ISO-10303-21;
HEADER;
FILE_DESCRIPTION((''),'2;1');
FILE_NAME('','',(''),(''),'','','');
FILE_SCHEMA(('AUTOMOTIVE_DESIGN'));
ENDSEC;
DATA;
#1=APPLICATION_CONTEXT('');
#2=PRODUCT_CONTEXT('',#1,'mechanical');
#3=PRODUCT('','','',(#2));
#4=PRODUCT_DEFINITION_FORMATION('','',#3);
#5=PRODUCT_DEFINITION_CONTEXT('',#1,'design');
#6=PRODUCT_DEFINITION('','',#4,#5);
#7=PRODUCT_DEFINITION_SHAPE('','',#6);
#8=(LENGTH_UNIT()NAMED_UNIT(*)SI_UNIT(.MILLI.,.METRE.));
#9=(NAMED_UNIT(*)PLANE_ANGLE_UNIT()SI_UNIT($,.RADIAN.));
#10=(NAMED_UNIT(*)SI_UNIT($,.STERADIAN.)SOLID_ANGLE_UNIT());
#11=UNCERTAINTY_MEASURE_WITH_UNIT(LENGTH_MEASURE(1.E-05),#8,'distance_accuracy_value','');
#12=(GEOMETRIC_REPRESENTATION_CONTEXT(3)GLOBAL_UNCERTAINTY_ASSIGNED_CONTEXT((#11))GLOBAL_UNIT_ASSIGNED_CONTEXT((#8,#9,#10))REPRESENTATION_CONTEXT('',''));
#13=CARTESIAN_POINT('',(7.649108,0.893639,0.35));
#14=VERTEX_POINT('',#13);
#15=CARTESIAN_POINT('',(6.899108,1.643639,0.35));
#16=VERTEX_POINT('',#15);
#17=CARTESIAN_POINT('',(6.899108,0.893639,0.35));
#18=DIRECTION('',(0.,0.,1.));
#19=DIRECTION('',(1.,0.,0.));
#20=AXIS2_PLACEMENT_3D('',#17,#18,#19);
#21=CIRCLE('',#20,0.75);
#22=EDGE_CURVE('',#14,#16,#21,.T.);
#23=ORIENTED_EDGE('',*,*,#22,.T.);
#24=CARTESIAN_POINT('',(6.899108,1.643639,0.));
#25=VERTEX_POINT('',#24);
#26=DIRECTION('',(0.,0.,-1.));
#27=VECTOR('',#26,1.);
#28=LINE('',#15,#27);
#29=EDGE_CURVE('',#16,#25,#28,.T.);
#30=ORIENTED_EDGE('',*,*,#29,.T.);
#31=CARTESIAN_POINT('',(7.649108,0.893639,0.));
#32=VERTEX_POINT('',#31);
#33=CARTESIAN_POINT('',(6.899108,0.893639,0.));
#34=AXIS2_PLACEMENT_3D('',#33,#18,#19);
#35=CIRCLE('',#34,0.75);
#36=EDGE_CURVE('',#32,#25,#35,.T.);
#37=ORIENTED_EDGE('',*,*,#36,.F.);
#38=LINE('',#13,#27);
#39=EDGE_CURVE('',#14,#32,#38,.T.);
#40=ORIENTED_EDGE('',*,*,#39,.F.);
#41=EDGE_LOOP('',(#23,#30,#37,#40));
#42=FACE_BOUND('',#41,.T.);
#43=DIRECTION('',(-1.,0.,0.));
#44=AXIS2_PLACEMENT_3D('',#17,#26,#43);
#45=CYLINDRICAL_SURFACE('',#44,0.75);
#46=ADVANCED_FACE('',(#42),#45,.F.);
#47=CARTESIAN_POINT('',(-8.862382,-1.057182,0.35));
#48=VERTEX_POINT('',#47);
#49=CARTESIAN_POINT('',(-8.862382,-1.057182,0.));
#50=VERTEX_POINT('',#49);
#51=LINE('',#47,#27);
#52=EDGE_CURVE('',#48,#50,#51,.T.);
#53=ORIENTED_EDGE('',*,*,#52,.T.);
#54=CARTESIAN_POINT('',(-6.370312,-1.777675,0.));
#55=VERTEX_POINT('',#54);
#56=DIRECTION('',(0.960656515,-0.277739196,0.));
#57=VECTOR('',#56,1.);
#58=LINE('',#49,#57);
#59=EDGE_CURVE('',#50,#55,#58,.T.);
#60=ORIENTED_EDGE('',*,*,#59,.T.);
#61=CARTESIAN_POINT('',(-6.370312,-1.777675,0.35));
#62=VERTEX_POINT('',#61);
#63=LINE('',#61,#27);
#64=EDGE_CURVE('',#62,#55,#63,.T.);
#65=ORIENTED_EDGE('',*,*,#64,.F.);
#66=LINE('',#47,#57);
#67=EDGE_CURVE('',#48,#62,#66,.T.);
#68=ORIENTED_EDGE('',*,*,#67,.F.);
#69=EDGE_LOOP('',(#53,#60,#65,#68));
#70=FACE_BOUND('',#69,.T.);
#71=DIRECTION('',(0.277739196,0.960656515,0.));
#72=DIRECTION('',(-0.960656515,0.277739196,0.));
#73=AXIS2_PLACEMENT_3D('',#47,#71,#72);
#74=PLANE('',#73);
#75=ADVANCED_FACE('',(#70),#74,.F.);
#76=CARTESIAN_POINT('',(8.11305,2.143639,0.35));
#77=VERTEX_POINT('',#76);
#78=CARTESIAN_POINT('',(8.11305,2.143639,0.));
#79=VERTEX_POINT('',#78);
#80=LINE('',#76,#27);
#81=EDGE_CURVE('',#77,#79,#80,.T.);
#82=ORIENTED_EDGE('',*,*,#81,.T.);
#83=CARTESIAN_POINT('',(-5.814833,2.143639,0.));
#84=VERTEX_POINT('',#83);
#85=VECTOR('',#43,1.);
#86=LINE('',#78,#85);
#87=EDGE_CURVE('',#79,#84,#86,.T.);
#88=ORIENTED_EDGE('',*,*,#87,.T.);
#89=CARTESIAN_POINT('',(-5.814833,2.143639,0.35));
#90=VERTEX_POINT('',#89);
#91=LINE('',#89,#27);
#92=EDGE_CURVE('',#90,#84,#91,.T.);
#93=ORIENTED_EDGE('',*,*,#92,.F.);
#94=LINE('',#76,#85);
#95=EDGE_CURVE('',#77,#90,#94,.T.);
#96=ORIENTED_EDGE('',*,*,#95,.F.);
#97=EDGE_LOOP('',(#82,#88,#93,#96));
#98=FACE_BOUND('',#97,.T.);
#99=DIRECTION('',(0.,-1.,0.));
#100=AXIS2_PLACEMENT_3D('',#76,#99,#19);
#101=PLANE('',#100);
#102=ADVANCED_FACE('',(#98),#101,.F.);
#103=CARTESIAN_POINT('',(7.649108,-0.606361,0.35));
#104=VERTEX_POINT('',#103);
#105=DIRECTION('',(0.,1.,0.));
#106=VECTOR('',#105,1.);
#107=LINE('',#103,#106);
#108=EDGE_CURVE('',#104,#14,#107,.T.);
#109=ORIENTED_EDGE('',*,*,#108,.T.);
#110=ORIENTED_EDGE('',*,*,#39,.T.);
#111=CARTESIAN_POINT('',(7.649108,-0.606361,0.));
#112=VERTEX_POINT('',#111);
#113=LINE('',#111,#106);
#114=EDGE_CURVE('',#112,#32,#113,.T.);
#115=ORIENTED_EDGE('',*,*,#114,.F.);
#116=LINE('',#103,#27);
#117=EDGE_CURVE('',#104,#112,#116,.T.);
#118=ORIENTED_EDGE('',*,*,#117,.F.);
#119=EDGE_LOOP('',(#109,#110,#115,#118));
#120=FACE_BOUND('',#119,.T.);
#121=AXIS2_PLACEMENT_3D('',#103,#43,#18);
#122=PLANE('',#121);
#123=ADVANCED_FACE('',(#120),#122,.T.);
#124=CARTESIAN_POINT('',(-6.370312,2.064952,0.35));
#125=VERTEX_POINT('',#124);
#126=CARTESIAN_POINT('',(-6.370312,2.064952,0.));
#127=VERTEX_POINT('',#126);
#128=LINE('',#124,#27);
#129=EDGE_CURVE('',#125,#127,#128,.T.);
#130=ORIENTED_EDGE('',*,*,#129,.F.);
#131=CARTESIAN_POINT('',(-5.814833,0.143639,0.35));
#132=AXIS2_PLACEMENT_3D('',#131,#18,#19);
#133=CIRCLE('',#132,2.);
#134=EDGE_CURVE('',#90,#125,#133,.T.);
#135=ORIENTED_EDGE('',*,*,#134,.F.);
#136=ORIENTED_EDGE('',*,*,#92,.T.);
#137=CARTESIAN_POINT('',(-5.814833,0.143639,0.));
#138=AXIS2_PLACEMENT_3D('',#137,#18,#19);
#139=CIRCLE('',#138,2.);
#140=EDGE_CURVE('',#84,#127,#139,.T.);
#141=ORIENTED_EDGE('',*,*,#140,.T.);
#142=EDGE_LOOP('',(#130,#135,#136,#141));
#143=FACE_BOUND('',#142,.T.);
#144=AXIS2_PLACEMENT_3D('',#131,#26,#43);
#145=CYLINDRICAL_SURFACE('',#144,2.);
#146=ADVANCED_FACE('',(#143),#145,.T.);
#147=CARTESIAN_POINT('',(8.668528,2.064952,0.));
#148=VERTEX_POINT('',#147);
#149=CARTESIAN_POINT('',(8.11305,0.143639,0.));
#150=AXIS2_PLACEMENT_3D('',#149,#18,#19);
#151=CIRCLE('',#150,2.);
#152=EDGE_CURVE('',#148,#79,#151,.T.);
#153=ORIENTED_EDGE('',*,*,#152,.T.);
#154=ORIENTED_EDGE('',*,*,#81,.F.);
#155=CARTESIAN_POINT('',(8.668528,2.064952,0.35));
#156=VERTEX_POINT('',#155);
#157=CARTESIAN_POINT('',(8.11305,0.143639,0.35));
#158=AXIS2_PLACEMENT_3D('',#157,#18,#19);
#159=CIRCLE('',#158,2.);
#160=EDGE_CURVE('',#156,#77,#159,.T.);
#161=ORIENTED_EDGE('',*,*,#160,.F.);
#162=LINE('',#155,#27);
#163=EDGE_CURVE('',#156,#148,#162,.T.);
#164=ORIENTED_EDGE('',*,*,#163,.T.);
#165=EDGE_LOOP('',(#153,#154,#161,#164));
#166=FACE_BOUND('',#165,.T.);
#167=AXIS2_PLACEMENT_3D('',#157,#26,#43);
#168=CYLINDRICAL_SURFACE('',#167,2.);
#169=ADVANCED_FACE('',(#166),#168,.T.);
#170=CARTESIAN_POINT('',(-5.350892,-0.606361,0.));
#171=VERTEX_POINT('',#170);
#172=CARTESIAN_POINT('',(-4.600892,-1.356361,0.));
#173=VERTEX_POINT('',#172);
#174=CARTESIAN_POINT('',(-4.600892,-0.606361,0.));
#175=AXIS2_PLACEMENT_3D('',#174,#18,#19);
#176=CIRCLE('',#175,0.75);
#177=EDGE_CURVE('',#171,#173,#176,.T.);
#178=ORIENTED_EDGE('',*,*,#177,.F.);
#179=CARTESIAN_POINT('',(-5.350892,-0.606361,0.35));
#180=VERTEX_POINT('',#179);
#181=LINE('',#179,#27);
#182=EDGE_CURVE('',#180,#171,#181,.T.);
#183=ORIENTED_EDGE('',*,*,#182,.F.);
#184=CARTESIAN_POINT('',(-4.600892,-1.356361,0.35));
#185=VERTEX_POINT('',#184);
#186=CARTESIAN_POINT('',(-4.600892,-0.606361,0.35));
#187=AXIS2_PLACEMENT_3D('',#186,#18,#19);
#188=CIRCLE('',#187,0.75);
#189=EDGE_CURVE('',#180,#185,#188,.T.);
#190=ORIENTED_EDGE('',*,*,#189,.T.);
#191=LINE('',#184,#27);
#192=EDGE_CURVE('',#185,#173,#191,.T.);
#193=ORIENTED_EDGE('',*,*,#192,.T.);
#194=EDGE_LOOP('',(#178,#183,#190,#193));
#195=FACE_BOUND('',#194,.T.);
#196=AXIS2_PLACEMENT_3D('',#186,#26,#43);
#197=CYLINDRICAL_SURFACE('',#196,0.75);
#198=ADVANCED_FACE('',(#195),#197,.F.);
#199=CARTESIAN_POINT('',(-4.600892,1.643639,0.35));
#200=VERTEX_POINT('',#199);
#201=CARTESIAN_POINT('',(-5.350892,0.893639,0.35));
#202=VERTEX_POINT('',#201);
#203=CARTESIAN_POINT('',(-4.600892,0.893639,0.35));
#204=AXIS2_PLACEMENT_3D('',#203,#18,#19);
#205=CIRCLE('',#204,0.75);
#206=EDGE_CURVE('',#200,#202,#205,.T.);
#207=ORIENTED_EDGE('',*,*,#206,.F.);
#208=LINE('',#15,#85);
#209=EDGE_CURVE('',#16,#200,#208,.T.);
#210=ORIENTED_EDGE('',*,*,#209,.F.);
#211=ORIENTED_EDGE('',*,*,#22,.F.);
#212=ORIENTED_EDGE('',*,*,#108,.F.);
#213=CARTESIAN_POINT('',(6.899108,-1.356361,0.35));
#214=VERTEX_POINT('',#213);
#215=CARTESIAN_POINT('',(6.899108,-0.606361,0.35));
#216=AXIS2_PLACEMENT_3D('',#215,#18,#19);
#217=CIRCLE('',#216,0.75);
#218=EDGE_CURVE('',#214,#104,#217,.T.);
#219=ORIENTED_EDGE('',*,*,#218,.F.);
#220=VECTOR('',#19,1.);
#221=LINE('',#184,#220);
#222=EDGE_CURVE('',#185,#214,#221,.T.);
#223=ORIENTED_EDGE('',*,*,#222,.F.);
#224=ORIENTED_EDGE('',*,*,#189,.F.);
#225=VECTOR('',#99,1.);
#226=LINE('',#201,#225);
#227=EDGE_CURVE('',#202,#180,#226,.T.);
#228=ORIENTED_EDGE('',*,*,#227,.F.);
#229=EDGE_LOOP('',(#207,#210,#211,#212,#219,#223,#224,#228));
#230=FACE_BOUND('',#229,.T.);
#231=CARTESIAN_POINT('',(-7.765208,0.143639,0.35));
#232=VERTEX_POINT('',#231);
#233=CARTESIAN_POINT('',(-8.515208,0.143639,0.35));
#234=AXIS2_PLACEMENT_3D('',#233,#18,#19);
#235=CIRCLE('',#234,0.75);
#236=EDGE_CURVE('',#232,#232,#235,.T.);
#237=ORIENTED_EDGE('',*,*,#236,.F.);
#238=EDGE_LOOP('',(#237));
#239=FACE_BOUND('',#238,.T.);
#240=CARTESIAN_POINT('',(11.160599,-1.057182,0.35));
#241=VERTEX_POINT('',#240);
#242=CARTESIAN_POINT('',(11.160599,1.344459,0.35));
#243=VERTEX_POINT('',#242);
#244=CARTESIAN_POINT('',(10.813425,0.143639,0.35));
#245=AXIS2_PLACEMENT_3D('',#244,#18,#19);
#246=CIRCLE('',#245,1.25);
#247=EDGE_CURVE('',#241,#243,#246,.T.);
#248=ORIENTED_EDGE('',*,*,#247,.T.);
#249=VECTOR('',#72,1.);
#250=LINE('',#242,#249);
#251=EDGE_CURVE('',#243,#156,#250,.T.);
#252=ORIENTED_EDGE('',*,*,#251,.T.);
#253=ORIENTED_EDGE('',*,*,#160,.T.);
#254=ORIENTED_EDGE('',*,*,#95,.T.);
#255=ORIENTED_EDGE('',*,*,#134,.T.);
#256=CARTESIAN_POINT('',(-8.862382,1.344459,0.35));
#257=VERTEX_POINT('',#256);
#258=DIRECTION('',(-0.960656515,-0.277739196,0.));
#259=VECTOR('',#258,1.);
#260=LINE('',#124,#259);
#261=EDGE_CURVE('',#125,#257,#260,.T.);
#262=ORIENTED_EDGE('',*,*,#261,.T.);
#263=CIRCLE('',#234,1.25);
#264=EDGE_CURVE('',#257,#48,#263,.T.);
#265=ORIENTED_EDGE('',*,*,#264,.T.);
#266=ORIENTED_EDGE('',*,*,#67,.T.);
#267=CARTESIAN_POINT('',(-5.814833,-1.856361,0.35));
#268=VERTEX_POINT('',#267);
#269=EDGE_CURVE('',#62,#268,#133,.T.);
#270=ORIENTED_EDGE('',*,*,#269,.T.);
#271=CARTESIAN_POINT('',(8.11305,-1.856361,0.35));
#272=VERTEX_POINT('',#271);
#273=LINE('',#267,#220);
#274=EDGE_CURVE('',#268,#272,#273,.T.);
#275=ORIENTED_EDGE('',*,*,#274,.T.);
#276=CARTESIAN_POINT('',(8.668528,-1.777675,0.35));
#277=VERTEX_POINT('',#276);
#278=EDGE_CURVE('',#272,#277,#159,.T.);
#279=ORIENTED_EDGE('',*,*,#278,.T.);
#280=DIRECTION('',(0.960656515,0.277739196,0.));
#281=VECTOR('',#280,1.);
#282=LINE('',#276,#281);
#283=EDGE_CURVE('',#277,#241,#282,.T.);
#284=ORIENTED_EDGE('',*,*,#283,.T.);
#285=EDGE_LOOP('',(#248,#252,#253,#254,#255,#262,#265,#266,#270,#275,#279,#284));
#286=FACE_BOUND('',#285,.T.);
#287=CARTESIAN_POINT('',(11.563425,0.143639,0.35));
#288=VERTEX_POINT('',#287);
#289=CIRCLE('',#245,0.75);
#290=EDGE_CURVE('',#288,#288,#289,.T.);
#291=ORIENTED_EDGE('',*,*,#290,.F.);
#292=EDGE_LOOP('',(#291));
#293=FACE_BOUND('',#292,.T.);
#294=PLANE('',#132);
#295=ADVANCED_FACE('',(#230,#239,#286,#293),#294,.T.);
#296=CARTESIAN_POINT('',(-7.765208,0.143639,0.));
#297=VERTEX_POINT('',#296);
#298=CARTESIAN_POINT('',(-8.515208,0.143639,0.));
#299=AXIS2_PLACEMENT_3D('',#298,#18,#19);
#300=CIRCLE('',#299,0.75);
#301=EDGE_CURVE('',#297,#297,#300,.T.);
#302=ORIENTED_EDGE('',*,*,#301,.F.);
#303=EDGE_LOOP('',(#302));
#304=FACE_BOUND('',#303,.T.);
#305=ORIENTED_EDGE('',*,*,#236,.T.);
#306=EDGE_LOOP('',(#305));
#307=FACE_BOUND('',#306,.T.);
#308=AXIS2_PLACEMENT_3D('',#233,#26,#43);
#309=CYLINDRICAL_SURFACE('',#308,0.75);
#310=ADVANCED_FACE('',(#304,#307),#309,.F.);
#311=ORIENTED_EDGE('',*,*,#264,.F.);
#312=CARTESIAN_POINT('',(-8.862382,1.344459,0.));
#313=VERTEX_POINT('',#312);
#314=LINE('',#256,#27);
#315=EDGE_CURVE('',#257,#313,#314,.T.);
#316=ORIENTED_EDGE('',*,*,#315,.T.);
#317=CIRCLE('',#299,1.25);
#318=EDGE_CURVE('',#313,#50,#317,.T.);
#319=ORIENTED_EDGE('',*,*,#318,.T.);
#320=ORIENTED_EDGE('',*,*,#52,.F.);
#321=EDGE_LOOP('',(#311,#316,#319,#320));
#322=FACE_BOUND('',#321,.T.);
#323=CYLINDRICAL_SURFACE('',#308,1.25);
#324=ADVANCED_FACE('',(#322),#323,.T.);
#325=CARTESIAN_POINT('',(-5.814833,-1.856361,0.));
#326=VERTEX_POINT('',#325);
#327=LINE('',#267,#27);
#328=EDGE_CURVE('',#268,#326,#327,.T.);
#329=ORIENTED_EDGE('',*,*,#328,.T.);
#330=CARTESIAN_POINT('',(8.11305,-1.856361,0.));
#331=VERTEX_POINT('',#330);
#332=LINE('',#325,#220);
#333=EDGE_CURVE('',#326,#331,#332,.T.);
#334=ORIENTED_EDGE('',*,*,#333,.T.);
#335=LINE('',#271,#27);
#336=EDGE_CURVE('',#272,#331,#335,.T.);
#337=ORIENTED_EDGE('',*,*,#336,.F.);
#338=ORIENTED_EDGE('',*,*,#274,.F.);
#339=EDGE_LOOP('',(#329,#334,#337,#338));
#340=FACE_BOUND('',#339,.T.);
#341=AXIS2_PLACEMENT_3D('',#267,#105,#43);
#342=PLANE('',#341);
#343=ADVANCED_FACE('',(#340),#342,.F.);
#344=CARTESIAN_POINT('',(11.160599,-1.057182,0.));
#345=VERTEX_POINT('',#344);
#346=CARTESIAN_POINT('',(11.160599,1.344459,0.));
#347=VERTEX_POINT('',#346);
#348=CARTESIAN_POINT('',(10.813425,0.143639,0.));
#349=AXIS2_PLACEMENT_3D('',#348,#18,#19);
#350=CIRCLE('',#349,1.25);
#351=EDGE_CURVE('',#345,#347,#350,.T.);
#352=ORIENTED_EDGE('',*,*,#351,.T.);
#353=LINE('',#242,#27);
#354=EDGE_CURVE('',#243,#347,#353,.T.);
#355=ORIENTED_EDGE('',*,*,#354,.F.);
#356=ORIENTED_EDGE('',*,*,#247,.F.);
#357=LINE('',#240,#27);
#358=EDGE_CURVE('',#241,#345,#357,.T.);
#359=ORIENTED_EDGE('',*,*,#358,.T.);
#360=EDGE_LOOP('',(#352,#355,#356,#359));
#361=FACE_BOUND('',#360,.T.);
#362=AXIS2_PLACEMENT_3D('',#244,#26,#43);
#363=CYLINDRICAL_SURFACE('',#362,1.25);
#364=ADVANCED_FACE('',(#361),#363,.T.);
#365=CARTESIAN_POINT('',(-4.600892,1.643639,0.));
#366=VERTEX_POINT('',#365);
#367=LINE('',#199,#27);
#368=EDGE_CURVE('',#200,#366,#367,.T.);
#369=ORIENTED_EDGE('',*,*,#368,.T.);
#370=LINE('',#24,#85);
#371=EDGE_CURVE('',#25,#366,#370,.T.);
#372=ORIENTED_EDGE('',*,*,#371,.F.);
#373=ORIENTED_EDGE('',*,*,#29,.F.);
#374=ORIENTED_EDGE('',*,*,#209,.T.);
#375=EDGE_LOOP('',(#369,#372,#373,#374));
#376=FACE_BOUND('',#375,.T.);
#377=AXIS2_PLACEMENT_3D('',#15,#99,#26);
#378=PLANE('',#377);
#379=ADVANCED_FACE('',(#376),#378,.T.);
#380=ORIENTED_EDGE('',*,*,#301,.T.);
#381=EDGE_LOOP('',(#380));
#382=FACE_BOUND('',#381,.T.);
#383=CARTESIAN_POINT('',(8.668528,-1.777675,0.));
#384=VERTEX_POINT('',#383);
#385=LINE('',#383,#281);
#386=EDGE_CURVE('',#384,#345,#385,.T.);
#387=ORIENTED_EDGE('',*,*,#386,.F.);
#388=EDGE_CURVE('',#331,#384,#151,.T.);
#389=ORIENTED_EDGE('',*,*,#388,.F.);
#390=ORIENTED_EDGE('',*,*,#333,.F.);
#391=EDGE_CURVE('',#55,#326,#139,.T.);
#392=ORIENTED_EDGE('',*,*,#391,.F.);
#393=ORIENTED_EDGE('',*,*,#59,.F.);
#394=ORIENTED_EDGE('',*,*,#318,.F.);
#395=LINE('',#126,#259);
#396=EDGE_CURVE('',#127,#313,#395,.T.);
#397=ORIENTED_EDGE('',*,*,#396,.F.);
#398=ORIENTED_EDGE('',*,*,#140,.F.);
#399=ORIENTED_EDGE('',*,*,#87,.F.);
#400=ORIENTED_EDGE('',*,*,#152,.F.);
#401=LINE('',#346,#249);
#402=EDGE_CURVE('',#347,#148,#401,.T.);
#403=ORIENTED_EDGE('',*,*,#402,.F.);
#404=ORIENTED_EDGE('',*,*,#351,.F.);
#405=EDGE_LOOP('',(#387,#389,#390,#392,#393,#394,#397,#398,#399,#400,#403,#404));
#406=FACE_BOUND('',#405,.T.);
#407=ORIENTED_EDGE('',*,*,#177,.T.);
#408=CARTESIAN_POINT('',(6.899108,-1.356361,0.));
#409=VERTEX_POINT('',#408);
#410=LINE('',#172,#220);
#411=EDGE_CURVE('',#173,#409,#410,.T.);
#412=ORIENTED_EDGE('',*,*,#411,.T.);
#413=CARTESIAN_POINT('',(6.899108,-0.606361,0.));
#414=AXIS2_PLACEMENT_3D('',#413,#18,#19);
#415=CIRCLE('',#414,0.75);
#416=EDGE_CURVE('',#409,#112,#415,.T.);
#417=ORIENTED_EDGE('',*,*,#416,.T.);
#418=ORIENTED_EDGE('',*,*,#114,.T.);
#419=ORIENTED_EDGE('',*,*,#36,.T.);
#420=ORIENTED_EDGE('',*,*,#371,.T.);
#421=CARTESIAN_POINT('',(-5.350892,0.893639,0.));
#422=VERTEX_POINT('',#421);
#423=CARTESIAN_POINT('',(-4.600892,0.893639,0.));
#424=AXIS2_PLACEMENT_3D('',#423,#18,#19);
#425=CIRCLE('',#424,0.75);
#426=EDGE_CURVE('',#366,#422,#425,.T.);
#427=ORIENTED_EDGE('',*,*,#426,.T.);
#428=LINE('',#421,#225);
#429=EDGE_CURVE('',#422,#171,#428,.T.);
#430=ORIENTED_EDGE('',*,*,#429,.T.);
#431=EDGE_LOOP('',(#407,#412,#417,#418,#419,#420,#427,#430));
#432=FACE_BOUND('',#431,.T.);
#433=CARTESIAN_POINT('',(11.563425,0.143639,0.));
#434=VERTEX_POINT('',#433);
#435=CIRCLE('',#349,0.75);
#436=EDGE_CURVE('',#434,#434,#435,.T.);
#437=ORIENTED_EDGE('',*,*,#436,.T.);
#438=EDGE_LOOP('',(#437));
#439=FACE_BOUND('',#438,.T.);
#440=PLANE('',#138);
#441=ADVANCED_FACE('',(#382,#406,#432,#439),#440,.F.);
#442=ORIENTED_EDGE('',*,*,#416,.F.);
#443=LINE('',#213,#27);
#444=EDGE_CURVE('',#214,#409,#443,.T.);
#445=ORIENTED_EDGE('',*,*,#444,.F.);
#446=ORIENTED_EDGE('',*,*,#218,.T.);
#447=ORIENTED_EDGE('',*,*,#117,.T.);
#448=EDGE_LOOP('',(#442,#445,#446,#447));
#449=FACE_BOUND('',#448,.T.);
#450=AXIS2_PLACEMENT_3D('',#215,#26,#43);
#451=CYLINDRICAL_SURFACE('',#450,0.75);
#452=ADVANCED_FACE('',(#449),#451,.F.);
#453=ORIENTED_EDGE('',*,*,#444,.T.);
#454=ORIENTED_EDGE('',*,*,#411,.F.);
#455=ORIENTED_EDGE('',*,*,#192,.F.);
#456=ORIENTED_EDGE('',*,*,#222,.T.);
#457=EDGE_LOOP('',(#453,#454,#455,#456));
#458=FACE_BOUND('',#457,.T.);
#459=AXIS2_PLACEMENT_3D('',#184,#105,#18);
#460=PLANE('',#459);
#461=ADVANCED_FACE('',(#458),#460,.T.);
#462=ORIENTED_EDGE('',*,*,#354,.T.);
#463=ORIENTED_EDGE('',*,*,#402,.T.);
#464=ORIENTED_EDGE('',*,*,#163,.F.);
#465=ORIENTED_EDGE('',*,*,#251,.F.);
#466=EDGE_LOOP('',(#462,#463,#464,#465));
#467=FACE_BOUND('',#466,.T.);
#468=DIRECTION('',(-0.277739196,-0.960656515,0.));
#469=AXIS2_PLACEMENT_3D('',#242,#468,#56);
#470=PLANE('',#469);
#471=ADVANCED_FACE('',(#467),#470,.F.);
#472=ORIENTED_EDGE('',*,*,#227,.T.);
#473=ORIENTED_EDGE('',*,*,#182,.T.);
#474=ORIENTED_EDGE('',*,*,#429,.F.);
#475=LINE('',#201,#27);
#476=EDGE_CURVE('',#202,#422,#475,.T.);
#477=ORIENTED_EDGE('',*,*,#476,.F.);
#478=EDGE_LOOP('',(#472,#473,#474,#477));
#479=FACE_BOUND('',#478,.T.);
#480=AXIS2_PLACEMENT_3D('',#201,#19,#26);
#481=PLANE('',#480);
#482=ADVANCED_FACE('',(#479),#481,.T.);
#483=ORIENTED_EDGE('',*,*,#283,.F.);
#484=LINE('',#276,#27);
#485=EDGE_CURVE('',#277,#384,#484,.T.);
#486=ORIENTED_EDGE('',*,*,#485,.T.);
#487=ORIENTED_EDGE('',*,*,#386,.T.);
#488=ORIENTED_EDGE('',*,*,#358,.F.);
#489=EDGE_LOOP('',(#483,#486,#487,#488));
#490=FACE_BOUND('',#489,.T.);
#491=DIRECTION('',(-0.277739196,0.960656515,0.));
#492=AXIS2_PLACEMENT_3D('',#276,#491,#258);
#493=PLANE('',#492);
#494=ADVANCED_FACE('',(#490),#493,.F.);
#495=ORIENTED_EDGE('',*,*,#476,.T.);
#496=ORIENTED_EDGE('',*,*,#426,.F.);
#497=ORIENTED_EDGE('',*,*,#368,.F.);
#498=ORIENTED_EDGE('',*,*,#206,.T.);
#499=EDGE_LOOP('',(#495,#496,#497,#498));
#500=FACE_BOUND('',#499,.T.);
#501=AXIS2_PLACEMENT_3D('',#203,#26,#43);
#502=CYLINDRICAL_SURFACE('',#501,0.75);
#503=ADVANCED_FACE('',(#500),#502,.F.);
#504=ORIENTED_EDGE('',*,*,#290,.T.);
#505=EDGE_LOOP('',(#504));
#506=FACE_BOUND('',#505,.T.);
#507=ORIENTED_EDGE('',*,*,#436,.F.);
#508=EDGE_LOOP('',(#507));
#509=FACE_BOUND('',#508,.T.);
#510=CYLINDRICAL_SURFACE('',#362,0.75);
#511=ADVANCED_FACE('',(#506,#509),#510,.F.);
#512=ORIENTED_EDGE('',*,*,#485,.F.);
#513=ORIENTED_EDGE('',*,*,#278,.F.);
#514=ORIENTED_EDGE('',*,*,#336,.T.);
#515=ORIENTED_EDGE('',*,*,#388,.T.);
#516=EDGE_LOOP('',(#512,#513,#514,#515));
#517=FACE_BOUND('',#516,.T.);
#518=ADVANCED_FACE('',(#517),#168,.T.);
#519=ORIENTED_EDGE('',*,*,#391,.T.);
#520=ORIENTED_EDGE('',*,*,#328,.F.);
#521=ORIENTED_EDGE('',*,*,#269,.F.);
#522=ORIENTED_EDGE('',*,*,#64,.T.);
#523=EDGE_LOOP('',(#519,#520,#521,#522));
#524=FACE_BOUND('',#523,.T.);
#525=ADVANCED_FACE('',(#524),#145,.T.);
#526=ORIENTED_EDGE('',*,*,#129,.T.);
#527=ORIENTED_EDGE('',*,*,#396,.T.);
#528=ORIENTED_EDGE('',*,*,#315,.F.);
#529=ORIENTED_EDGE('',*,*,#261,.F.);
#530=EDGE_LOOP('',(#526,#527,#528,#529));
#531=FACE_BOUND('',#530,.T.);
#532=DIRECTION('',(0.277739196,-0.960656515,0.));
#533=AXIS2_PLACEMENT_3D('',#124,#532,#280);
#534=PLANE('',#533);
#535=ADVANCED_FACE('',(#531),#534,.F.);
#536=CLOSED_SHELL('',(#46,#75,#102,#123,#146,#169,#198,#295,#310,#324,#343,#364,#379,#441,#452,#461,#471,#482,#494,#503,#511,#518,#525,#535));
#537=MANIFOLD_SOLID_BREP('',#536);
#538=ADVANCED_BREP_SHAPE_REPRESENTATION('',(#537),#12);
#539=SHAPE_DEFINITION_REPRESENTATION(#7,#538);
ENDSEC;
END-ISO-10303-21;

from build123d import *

# Parameters (mm, degrees)
SKETCH1_R           = 0.75
BOSS_EXTRUDE1_DEPTH = 0.35


with BuildPart() as part:
    # Sketch1 → Boss-Extrude1 (new body)
    with BuildSketch(Plane.XY):
        with BuildLine():
            Line((-5.814833275, -1.856361479), (8.113049614, -1.856361479))
            ThreePointArc((8.113049614, -1.856361479), (8.393561593, -1.836592028), (8.668528006, -1.777674508))
            Line((8.668528006, -1.777674508), (11.160598675, -1.057182122))
            ThreePointArc((11.160598675, -1.057182122), (12.06342468, 0.143638521), (11.160598675, 1.344459164))
            Line((11.160598675, 1.344459164), (8.668528006, 2.06495155))
            ThreePointArc((8.668528006, 2.06495155), (8.393561593, 2.123869071), (8.113049614, 2.143638521))
            Line((8.113049614, 2.143638521), (-5.814833275, 2.143638521))
            ThreePointArc((-5.814833275, 2.143638521), (-6.095345255, 2.123869071), (-6.370311667, 2.06495155))
            Line((-6.370311667, 2.06495155), (-8.862382336, 1.344459164))
            ThreePointArc((-8.862382336, 1.344459164), (-9.765208341, 0.143638521), (-8.862382336, -1.057182122))
            Line((-8.862382336, -1.057182122), (-6.370311667, -1.777674508))
            ThreePointArc((-6.370311667, -1.777674508), (-6.095345255, -1.836592028), (-5.814833275, -1.856361479))
        make_face()
        with Locations((-8.515208341, 0.143638521)):
            Circle(SKETCH1_R, mode=Mode.SUBTRACT)
        with Locations((10.81342468, 0.143638521)):
            Circle(SKETCH1_R, mode=Mode.SUBTRACT)
        with BuildLine():
            Line((7.649108169, -0.606361479), (7.649108169, 0.893638521))
            ThreePointArc((7.649108169, 0.893638521), (7.429438255, 1.423968607), (6.899108169, 1.643638521))
            Line((6.899108169, 1.643638521), (-4.600891831, 1.643638521))
            ThreePointArc((-4.600891831, 1.643638521), (-5.131221917, 1.423968607), (-5.350891831, 0.893638521))
            Line((-5.350891831, 0.893638521), (-5.350891831, -0.606361479))
            ThreePointArc((-5.350891831, -0.606361479), (-5.131221917, -1.136691565), (-4.600891831, -1.356361479))
            Line((-4.600891831, -1.356361479), (6.899108169, -1.356361479))
            ThreePointArc((6.899108169, -1.356361479), (7.429438255, -1.136691565), (7.649108169, -0.606361479))
        make_face(mode=Mode.SUBTRACT)
    extrude(amount=BOSS_EXTRUDE1_DEPTH)


solid = part.part
